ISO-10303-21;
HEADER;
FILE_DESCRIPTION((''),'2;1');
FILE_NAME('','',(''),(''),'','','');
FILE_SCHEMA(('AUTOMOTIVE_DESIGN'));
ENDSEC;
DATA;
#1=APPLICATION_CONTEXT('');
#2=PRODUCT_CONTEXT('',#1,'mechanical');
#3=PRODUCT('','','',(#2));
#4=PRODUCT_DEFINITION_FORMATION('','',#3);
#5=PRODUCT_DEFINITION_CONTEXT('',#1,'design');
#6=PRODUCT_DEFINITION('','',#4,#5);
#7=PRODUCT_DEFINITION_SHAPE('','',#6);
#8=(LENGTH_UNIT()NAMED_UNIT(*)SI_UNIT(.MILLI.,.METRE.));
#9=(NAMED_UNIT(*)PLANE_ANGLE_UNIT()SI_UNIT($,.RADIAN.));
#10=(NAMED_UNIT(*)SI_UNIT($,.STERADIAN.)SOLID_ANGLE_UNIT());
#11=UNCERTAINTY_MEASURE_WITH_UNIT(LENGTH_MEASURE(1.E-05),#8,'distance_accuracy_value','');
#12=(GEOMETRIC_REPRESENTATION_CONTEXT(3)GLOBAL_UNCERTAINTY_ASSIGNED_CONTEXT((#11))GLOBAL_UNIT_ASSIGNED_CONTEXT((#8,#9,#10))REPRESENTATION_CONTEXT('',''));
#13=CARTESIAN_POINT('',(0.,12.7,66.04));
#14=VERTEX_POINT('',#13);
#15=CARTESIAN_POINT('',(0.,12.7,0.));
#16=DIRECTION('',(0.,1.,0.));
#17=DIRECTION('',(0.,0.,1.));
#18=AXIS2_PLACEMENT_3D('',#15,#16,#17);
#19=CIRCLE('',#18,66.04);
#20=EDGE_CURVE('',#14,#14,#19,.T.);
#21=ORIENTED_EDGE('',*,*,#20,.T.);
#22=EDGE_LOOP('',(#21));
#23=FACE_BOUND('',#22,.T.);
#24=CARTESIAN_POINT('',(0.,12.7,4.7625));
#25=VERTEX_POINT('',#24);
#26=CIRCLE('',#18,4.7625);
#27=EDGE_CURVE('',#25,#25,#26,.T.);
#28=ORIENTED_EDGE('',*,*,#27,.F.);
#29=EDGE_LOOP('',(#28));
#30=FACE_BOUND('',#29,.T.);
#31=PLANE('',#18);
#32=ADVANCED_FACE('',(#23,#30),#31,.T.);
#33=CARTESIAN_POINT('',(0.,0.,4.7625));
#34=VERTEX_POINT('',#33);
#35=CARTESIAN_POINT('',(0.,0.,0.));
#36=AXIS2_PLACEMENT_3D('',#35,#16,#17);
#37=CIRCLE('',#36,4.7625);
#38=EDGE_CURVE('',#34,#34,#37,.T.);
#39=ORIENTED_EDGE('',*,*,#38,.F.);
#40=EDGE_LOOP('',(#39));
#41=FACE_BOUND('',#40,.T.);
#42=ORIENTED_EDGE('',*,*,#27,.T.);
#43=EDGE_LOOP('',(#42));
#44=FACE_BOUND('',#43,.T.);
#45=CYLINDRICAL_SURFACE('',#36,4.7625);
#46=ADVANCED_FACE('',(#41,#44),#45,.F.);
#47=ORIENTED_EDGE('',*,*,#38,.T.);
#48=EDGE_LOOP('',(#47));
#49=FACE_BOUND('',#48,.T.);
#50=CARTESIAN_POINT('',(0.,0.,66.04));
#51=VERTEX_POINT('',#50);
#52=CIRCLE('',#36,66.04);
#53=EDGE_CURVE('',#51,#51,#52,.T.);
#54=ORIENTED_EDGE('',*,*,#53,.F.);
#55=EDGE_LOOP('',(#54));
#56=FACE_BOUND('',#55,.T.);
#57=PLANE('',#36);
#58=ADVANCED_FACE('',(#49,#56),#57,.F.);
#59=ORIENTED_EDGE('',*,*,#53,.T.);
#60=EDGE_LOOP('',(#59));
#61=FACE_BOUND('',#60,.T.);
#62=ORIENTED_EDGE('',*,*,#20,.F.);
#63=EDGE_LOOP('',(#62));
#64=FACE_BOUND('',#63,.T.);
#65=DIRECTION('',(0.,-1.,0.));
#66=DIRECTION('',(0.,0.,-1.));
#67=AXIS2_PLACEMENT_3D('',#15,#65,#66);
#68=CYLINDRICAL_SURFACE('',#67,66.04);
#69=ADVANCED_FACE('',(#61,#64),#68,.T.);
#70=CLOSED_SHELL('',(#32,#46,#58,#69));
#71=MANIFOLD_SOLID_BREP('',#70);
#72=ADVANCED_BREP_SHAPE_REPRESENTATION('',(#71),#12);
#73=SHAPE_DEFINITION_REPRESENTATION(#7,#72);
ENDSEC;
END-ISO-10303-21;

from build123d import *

# Parameters (mm, degrees)
SKETCH1_R           = 66.04
BOSS_EXTRUDE1_DEPTH = 12.7
SKETCH2_R           = 4.7625
CUT_EXTRUDE1_DEPTH  = 12.7


with BuildPart() as part:
    # Sketch1 → Boss-Extrude1 (new body)
    with BuildSketch(Plane(origin=(0, 0, 0), x_dir=(1, 0, 0), z_dir=(0, 1, 0))):
        Circle(SKETCH1_R)
    extrude(amount=BOSS_EXTRUDE1_DEPTH)

    # Sketch2 → Cut-Extrude1 (cut)
    with BuildSketch(Plane(origin=(0, 12.7, 0), x_dir=(1, 0, 0), z_dir=(0, 1, 0))):
        Circle(SKETCH2_R)
    extrude(amount=-CUT_EXTRUDE1_DEPTH, mode=Mode.SUBTRACT)


solid = part.part
